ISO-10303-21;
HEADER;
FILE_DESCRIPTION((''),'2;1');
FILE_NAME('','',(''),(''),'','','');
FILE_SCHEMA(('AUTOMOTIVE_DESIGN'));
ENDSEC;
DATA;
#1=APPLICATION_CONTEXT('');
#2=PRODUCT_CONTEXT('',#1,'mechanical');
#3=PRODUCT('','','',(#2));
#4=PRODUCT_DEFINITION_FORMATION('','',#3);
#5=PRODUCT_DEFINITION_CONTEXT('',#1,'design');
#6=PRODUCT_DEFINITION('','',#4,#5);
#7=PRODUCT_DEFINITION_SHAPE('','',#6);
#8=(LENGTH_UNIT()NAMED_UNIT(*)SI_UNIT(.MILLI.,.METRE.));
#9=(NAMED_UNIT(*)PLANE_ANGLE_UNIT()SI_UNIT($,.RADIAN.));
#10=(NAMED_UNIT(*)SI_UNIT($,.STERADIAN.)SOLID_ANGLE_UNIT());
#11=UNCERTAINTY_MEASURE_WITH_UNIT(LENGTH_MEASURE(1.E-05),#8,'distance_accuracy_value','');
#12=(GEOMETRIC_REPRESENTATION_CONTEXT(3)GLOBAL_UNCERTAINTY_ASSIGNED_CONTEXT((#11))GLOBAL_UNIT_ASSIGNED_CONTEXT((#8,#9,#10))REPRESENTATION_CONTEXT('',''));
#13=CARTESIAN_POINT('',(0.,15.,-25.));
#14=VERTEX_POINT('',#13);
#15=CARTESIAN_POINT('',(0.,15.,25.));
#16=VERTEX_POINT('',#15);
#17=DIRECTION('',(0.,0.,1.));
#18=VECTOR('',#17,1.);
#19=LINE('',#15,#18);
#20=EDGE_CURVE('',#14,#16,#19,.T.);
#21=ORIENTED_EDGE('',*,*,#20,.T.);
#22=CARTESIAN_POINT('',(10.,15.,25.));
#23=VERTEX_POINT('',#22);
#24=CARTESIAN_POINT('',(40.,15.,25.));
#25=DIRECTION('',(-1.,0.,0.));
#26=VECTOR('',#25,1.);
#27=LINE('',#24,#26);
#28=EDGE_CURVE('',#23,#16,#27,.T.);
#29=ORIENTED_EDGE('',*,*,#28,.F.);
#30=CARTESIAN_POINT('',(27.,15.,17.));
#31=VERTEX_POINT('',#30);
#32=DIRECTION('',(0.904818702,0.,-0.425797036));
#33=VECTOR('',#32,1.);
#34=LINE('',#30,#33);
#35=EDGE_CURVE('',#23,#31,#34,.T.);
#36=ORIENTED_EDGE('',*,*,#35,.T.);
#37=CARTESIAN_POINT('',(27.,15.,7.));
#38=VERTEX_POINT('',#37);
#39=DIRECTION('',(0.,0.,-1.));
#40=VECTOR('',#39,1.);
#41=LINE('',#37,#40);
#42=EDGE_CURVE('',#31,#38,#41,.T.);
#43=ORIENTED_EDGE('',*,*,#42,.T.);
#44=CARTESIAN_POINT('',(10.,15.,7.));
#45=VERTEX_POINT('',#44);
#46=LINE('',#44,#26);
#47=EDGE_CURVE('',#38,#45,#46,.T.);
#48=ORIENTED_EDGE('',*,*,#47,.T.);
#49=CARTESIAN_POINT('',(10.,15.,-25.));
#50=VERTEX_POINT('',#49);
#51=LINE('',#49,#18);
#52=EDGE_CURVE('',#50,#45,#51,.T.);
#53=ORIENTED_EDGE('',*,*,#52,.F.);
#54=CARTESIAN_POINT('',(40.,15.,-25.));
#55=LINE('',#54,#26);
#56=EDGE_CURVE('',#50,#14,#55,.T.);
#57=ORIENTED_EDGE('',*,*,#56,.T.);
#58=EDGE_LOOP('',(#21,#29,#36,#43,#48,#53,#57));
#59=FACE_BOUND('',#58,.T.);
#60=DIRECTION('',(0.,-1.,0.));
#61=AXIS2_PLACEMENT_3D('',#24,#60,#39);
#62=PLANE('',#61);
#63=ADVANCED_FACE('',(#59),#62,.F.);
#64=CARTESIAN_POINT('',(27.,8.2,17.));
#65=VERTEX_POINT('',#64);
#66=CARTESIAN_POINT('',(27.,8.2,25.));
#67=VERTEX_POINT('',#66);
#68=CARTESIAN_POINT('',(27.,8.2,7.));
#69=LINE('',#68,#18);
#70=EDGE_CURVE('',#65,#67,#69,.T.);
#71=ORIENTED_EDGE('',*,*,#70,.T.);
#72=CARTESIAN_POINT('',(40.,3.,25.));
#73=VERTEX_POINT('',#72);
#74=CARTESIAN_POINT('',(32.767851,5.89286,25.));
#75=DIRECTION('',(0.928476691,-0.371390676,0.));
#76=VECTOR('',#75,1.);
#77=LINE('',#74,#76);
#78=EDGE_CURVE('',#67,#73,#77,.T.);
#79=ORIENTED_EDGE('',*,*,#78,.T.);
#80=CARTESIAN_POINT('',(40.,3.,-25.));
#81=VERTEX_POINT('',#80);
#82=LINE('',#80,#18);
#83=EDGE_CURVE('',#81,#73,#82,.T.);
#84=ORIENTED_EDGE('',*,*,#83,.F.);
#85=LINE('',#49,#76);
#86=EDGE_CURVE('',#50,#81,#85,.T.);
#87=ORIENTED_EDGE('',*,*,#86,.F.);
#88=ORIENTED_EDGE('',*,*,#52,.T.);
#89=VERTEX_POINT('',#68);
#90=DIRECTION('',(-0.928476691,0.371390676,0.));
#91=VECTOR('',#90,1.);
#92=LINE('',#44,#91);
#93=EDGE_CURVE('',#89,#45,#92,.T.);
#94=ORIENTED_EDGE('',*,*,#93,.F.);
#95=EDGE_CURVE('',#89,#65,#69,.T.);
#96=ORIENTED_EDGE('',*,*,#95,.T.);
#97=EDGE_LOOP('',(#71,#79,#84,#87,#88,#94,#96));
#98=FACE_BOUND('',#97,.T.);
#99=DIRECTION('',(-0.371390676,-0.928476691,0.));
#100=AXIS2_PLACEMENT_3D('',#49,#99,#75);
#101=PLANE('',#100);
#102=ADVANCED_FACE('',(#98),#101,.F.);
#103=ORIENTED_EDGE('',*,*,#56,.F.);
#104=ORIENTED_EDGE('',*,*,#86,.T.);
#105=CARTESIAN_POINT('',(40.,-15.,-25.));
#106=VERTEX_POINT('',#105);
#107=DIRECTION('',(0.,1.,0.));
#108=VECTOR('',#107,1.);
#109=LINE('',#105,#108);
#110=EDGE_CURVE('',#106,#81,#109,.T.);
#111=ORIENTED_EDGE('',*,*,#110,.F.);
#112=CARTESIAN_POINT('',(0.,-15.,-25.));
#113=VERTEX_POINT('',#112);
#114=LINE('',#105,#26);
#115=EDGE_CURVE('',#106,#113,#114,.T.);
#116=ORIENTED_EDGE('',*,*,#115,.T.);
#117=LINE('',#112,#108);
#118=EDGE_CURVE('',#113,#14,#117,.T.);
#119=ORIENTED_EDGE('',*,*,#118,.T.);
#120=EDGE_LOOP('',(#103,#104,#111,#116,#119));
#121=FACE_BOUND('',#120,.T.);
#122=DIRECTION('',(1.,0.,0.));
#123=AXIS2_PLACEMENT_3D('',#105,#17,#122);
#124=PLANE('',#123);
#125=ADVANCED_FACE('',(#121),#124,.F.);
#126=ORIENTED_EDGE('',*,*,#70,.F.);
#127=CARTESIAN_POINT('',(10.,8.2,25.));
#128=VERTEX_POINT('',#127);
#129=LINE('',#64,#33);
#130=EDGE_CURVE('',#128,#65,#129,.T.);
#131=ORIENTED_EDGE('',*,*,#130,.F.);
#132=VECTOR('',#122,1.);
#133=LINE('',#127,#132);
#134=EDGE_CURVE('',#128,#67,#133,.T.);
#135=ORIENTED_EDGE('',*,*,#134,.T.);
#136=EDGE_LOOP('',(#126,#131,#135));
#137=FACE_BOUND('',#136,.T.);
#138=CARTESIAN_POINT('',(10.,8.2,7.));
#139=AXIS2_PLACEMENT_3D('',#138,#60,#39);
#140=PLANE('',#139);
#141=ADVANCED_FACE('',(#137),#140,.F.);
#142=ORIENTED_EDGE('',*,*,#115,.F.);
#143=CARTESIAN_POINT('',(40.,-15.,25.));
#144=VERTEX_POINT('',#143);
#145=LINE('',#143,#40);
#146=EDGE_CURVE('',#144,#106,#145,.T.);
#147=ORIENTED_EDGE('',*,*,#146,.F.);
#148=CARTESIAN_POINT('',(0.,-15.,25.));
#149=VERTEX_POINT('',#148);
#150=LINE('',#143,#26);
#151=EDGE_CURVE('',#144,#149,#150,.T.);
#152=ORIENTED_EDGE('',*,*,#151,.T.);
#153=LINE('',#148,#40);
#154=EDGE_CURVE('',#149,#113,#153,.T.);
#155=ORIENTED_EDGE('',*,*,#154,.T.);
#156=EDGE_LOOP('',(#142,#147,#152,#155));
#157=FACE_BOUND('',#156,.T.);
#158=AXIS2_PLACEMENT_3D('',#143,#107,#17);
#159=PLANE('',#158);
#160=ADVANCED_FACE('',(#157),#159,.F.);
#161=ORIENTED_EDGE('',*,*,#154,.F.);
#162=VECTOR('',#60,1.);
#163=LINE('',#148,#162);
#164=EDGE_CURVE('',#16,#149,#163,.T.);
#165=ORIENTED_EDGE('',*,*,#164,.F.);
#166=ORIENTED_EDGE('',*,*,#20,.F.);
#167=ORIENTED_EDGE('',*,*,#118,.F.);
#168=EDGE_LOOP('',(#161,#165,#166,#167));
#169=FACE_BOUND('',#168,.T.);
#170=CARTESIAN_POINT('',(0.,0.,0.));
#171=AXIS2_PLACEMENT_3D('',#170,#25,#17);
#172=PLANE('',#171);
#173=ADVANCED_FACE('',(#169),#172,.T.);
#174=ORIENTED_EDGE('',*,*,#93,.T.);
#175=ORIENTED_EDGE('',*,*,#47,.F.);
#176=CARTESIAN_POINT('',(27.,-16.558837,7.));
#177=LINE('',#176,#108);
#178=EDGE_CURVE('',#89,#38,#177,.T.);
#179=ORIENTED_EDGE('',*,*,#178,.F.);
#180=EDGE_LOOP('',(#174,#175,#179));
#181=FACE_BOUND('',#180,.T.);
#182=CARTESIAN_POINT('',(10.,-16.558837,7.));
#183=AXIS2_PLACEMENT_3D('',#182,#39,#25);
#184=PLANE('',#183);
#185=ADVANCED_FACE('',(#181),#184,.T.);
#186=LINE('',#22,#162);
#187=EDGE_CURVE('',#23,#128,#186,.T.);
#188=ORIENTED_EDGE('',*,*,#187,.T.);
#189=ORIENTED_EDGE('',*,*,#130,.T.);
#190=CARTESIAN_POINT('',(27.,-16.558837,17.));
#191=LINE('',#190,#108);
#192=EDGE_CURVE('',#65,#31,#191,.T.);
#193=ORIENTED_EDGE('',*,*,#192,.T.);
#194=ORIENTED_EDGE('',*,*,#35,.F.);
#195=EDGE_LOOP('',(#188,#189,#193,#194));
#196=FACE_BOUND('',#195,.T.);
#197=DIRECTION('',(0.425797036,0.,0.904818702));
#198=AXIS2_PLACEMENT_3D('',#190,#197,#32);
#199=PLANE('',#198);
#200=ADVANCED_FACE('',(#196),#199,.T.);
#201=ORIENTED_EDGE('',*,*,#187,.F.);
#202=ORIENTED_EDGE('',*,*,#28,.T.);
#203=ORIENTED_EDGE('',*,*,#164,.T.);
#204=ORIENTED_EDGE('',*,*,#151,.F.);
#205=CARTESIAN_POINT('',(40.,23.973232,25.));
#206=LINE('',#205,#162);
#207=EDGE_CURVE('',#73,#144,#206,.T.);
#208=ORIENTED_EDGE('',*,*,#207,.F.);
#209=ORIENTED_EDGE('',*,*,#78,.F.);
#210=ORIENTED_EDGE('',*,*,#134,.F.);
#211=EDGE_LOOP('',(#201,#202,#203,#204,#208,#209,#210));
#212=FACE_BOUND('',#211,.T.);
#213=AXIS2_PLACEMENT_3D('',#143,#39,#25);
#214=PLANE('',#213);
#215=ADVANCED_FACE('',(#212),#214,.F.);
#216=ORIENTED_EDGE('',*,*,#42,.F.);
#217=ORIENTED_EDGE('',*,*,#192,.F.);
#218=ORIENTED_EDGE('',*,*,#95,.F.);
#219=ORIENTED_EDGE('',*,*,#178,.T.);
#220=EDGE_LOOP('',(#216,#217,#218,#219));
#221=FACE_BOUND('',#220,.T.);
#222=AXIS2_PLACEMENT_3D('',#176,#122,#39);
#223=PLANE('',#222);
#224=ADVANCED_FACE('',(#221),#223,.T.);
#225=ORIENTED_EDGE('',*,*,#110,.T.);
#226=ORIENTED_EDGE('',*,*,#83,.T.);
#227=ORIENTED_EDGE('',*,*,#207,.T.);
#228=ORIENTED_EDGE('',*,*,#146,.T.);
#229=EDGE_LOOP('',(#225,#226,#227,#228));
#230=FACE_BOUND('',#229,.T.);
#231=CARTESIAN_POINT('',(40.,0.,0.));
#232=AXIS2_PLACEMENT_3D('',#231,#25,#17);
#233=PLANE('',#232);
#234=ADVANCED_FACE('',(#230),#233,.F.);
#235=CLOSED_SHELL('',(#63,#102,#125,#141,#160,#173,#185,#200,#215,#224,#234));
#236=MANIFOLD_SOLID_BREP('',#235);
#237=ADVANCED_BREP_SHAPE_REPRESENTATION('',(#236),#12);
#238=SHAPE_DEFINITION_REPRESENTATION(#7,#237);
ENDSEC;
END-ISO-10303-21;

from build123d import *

# Parameters (mm, degrees)
SKETCH_1_W          = 50
SKETCH_1_H          = 30
EXTRUDE_1_DEPTH     = 40
CUT_EXTRUDE_1_DEPTH = 66.76473219
CUT_EXTRUDE_2_DEPTH = 56.901699437
SKETCH_4_W          = 17
SKETCH_4_H          = 6.8
CUT_EXTRUDE_3_DEPTH = 18
EXTRUDE_2_REACH     = 57.902
EXTRUDE_4_REACH     = 57.902


with BuildPart() as part:
    # Эскиз1 → Бобышка-Вытянуть1 (new body)
    with BuildSketch(Plane(origin=(0, 0, 0), x_dir=(0, 0, -1), z_dir=(1, 0, 0))):
        Rectangle(SKETCH_1_W, SKETCH_1_H)
    extrude(amount=EXTRUDE_1_DEPTH)

    # Эскиз2 → Вырез-Вытянуть1 (cut, through all)
    with BuildSketch(Plane.XY.offset(25)):
        Polygon((10, 15), (40, 3), (40, 15), align=None)
    extrude(amount=-CUT_EXTRUDE_1_DEPTH, mode=Mode.SUBTRACT)

    # Эскиз3 → Вырез-Вытянуть2 (cut, through all)
    with BuildSketch(Plane.XZ.offset(15)):
        Polygon((40, 13), (27, 25), (40, 25), align=None)
    extrude(amount=-CUT_EXTRUDE_2_DEPTH, mode=Mode.SUBTRACT)

    # Эскиз4 → Вырез-Вытянуть3 (cut)
    with BuildSketch(Plane.XY.offset(25)):
        with Locations((18.5, 11.6)):
            Rectangle(SKETCH_4_W, SKETCH_4_H)
    extrude(amount=-CUT_EXTRUDE_3_DEPTH, mode=Mode.SUBTRACT)

    # Бобышка-Вытянуть2: up to this face of the body (flat: up to its plane)
    extrude_2_end = Plane(part.part.faces().sort_by_distance((18.5, 8.2, 16))[0])
    # Эскиз5 → Бобышка-Вытянуть2 (add, up to the picked face)
    with BuildSketch(Plane(origin=(0, 15, 0), x_dir=(1, 0, 0), z_dir=(0, 1, 0)), mode=Mode.PRIVATE) as extrude_2_sk1:
        Polygon((10, -7), (27, -7), (27, -17), (10, -25), align=None)
    extrude_2_tool1 = split(extrude(extrude_2_sk1.sketch, amount=-EXTRUDE_2_REACH, mode=Mode.PRIVATE), bisect_by=extrude_2_end, keep=Keep.BOTH, mode=Mode.PRIVATE)
    add(extrude_2_tool1.solids().sort_by(Axis((17.690476, 15, 14.190476), (0, -1, 0)))[0])

    # Бобышка-Вытянуть4: up to this face of the body (flat: up to its plane)
    extrude_4_end = Plane(part.part.faces().sort_by_distance((26.036738351, 8.585304659, -5.85483871))[0])
    # Эскиз6 → Бобышка-Вытянуть4 (add, up to the picked face)
    with BuildSketch(Plane.XZ.offset(15), mode=Mode.PRIVATE) as extrude_4_sk1:
        Polygon((27, 25), (40, 13), (40, 25), align=None)
    extrude_4_tool1 = split(extrude(extrude_4_sk1.sketch, amount=-EXTRUDE_4_REACH, mode=Mode.PRIVATE), bisect_by=extrude_4_end, keep=Keep.BOTH, mode=Mode.PRIVATE)
    add(extrude_4_tool1.solids().sort_by(Axis((35.666667, -15, 21), (0, 1, 0)))[0])


solid = part.part
